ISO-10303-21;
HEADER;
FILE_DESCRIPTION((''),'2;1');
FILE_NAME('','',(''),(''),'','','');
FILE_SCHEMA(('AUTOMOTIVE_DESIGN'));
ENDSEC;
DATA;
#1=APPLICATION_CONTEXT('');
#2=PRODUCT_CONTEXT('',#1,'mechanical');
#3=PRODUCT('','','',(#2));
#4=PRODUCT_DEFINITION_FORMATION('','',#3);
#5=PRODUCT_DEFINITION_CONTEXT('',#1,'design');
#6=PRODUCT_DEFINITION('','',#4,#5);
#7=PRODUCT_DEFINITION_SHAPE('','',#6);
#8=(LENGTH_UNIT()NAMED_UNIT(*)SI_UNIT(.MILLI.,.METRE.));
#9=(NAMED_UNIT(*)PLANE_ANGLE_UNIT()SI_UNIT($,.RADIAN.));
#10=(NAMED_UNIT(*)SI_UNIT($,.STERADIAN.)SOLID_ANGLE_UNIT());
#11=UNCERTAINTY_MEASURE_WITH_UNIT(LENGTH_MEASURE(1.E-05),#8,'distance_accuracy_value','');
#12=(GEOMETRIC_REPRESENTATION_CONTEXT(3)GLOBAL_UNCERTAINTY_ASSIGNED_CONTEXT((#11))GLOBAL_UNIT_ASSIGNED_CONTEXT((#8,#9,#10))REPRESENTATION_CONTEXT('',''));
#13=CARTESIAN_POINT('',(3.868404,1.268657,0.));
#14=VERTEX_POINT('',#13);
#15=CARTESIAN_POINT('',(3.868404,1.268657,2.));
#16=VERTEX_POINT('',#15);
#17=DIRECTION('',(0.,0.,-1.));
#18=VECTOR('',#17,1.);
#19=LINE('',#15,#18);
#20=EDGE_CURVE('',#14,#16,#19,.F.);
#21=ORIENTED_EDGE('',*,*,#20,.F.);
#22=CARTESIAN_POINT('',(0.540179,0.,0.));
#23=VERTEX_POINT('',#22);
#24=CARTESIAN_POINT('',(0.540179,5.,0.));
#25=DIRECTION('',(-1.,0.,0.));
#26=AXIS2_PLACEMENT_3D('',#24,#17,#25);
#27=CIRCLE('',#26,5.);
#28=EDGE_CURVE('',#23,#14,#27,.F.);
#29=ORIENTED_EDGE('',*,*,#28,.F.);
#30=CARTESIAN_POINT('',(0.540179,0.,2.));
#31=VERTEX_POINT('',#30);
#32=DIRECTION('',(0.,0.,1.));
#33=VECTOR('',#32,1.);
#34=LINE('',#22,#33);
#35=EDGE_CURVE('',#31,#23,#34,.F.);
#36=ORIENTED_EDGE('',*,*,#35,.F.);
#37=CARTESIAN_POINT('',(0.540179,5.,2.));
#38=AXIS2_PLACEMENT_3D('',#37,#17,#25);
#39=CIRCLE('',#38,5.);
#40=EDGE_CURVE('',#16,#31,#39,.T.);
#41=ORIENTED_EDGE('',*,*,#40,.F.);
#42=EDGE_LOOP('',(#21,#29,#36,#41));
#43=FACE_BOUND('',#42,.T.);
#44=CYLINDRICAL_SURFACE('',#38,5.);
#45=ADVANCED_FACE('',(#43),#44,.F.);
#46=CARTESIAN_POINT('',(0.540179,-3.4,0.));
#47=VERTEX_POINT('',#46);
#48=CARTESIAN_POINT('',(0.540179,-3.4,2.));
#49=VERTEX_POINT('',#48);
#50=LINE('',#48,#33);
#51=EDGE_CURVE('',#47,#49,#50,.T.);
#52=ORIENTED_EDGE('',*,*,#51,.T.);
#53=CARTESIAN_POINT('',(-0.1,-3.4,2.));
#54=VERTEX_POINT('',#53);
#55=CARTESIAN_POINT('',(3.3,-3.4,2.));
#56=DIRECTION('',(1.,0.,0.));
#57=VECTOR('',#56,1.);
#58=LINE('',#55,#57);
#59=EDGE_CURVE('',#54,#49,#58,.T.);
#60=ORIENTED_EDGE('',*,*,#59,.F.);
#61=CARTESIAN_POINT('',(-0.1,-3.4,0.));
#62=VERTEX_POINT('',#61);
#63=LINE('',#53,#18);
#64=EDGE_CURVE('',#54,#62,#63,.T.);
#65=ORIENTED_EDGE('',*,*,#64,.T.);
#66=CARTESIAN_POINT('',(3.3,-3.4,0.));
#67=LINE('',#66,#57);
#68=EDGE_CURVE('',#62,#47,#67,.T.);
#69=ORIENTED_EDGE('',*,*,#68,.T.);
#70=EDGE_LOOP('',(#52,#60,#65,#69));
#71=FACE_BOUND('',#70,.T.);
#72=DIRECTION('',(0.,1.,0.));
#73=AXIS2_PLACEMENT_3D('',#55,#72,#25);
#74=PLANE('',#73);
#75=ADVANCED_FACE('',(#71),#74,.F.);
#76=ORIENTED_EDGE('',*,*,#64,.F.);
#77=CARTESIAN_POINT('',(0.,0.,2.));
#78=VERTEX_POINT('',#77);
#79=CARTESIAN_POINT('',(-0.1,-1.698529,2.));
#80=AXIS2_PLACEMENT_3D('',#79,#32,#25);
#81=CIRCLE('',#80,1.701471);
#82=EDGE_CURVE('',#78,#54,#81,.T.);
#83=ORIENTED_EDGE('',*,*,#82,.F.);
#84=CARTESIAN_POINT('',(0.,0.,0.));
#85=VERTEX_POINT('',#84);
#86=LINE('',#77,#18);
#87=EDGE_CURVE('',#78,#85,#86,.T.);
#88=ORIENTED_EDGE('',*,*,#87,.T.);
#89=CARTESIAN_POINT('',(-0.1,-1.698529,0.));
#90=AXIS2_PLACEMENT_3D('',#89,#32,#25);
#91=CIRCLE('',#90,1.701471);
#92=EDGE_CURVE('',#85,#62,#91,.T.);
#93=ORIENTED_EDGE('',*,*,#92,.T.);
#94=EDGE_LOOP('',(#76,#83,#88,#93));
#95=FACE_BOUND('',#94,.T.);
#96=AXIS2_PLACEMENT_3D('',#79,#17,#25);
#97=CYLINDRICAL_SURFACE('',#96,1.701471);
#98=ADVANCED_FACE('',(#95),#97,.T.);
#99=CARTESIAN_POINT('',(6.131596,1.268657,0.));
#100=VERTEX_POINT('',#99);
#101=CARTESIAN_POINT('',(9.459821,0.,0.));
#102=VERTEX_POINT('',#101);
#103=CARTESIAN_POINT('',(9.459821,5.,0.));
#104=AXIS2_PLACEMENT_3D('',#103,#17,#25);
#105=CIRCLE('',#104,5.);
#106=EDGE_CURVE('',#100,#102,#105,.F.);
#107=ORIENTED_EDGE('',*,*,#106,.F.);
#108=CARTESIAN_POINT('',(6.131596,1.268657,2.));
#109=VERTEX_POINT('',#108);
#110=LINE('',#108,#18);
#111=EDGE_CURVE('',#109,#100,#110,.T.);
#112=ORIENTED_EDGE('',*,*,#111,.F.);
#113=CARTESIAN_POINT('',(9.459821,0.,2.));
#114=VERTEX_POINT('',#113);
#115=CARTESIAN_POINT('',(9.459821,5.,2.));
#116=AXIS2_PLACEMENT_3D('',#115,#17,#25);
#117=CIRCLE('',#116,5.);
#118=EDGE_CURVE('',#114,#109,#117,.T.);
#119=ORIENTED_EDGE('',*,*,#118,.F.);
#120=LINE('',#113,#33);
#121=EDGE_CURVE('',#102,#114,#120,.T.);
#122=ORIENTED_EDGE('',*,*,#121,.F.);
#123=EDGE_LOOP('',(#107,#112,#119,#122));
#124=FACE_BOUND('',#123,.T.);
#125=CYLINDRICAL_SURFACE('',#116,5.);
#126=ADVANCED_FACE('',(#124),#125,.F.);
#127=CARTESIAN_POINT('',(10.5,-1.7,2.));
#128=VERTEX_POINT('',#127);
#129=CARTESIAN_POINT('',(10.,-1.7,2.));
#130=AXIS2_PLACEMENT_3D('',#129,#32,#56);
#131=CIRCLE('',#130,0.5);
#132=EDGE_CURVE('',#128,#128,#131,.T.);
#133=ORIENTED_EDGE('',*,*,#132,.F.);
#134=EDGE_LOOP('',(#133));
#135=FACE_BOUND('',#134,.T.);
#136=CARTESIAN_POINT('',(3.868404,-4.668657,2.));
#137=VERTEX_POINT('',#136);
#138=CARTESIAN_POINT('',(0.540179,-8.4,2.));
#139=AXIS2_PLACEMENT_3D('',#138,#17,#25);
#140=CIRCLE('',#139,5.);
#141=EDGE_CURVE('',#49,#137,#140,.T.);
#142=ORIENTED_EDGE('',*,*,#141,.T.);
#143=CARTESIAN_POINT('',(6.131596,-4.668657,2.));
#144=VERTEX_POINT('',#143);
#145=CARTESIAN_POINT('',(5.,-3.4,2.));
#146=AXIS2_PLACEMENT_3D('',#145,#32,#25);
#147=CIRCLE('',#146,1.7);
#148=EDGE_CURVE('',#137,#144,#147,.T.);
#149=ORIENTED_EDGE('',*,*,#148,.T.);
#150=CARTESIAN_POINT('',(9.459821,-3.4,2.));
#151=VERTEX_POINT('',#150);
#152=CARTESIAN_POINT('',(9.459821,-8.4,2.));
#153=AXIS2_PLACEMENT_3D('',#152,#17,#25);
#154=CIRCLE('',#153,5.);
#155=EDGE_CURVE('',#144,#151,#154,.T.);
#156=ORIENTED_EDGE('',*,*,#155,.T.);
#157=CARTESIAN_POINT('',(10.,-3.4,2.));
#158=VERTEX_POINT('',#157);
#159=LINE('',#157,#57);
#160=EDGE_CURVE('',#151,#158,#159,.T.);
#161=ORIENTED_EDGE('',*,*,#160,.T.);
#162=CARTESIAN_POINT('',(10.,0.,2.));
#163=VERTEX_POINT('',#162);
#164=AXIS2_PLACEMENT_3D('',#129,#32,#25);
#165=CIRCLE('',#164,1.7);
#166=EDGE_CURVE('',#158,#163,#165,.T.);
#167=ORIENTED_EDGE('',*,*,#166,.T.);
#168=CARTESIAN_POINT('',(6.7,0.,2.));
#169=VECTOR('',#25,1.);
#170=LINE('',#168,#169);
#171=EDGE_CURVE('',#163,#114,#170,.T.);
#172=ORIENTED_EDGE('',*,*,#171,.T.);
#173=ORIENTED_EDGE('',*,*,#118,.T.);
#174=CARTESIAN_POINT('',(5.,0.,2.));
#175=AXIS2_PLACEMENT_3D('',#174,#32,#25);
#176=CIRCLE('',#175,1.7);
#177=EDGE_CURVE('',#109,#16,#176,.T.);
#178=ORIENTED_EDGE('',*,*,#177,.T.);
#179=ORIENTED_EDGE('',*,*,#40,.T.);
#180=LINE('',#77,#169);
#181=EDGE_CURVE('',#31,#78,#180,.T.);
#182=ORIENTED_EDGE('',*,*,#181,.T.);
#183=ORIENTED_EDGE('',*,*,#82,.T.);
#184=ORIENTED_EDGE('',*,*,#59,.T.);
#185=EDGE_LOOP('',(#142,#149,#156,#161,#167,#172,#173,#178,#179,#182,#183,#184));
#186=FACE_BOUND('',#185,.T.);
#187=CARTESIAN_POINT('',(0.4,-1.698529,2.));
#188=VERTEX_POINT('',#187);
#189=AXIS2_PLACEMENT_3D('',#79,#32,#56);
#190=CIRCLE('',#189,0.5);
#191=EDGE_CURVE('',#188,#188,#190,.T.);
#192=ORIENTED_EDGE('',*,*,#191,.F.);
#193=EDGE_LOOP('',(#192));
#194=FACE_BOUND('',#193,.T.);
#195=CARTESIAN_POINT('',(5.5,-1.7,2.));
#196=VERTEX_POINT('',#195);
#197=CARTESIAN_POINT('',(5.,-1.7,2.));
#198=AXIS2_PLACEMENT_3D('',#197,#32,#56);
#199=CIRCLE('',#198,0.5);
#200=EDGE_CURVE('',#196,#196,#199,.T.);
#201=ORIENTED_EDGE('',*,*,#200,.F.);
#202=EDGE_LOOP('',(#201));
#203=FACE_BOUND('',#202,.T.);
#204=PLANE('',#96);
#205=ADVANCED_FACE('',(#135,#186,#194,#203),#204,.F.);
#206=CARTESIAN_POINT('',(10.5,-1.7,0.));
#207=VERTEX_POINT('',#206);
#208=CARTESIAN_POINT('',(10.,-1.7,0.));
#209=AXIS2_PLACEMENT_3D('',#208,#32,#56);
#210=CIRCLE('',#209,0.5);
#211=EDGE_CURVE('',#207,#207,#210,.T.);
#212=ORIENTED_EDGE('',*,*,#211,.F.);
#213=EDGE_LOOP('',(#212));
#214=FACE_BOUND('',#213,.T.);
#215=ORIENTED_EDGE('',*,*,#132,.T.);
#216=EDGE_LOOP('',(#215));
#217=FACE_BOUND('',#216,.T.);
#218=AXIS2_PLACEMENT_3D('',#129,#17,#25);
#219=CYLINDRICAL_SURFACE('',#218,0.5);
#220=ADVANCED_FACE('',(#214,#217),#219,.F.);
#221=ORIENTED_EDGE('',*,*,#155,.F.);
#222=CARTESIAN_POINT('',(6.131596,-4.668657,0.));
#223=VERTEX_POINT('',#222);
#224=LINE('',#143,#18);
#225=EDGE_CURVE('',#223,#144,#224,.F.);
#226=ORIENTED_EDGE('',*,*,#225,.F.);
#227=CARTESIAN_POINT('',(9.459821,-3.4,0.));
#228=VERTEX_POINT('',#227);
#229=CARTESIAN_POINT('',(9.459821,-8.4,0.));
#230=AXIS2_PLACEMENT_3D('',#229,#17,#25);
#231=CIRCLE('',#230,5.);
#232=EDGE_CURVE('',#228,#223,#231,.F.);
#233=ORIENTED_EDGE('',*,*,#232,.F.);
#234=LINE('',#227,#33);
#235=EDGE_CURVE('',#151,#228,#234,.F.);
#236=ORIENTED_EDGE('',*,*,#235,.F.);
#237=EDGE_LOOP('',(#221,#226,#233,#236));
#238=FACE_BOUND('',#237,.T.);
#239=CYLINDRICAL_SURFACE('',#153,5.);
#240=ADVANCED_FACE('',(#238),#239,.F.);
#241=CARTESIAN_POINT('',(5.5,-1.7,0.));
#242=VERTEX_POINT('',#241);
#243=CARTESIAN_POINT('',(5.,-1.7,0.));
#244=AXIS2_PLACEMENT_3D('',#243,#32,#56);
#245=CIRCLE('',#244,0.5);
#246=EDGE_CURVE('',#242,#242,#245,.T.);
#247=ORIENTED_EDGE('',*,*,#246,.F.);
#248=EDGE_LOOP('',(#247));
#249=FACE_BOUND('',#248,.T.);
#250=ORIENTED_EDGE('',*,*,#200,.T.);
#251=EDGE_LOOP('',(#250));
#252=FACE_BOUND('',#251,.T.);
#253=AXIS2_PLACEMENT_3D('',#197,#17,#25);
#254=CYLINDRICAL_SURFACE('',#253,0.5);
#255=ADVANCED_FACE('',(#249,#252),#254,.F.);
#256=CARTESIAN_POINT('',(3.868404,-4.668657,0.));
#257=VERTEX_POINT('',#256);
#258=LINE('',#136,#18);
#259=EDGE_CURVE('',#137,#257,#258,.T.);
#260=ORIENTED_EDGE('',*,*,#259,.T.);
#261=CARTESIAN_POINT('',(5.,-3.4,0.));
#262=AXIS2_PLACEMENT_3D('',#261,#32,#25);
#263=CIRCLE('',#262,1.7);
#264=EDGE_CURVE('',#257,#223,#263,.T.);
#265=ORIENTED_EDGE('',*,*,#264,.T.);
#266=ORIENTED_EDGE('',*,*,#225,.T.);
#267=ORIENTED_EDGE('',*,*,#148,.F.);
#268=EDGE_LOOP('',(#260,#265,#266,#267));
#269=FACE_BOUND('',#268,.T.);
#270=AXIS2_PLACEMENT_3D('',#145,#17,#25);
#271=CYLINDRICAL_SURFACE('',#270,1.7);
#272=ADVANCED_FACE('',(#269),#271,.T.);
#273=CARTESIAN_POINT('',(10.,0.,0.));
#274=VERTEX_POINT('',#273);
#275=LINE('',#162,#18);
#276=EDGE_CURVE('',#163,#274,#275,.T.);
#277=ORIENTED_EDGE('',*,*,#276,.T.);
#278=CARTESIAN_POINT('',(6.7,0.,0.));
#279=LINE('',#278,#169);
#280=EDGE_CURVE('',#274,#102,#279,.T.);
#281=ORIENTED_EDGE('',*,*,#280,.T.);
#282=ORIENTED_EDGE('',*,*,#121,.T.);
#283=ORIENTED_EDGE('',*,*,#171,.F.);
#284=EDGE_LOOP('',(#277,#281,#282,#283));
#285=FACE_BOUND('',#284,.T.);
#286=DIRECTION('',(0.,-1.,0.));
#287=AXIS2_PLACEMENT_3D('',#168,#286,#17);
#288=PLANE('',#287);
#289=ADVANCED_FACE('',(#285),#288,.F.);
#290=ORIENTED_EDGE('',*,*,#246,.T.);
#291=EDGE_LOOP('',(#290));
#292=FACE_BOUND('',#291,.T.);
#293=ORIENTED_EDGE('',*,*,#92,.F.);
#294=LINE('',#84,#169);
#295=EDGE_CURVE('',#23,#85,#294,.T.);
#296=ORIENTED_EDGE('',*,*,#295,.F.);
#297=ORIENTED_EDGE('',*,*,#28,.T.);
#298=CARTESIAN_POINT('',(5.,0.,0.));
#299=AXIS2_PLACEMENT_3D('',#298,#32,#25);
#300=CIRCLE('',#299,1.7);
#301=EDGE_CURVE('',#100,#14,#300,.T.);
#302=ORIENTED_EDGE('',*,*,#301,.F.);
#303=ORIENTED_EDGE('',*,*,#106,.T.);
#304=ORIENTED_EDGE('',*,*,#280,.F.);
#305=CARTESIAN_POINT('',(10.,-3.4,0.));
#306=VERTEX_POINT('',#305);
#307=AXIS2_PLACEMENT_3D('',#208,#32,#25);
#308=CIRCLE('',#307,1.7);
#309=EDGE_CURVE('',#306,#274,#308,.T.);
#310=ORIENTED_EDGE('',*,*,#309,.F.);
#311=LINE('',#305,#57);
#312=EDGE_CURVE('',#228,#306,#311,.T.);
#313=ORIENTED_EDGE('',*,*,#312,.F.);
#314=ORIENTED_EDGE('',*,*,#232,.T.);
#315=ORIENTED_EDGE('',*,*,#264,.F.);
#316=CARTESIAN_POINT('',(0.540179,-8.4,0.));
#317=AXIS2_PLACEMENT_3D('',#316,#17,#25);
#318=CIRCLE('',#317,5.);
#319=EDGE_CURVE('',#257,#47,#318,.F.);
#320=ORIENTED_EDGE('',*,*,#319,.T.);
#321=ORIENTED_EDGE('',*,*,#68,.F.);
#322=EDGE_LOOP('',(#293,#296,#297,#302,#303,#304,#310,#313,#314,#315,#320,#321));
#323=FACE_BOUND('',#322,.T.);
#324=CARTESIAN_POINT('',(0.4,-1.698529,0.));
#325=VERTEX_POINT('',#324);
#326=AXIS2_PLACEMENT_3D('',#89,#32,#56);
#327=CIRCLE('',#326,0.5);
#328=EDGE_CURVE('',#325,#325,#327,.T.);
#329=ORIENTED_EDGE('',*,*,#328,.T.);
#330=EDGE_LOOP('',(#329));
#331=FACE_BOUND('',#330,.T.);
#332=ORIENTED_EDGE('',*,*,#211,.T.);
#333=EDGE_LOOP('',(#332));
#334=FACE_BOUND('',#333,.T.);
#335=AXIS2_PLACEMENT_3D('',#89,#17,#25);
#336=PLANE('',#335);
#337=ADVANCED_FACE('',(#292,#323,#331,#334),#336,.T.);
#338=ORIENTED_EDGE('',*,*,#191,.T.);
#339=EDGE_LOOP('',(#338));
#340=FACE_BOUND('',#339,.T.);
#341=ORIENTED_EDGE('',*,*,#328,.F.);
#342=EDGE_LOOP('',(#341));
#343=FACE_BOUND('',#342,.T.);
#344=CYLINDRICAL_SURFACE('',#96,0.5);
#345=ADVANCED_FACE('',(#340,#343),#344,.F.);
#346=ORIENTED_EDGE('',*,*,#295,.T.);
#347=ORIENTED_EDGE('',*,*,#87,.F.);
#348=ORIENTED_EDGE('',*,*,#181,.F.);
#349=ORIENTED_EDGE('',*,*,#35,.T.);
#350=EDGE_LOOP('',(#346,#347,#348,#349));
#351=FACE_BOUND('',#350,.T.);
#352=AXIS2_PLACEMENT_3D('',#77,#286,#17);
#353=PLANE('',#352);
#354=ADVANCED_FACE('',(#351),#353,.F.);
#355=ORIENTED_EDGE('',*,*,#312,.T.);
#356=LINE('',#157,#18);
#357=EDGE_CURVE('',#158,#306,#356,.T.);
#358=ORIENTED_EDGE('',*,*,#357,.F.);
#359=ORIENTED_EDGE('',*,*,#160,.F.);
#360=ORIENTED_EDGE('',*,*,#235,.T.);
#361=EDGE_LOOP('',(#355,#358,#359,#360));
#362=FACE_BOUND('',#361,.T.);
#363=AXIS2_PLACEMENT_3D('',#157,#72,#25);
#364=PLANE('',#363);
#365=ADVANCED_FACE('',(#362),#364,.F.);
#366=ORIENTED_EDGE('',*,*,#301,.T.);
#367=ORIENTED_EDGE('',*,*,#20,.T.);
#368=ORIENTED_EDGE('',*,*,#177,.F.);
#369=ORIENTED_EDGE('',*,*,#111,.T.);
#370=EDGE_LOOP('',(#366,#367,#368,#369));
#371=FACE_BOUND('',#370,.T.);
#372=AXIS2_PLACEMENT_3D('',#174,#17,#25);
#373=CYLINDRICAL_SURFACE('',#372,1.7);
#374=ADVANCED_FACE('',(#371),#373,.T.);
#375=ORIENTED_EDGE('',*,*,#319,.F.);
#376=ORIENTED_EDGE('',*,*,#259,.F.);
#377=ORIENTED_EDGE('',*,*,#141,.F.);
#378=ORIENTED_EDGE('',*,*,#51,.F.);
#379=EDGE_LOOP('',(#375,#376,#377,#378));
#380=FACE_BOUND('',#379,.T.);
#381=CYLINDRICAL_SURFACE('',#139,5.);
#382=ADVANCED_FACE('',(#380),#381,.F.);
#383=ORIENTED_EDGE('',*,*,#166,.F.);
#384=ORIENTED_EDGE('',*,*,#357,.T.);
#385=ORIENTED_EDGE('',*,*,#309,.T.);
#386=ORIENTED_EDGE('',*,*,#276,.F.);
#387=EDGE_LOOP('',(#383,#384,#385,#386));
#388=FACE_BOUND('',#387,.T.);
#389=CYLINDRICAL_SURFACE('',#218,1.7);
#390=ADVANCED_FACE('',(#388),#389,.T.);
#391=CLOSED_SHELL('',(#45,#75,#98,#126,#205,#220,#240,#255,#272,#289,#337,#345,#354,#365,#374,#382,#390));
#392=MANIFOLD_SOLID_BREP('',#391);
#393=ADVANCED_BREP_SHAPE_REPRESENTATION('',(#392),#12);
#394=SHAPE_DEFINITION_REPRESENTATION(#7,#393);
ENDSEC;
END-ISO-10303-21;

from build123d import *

# Parameters (mm, degrees)
SKETCH1_R           = 0.5
BOSS_EXTRUDE1_DEPTH = 2
FILLET1_R           = 5


with BuildPart() as part:
    # Sketch1 → Boss-Extrude1 (new body)
    with BuildSketch(Plane.XY):
        with BuildLine():
            Line((0, 0), (3.3, 0))
            ThreePointArc((3.3, 0), (5, 1.7), (6.7, 0))
            Line((6.7, 0), (10, 0))
            ThreePointArc((10, 0), (11.7, -1.7), (10, -3.4))
            Line((10, -3.4), (6.7, -3.4))
            ThreePointArc((6.7, -3.4), (5, -5.1), (3.3, -3.4))
            Line((3.3, -3.4), (-0.1, -3.4))
            ThreePointArc((-0.1, -3.4), (-1.800735135, -1.64850779), (0, 0))
        make_face()
        with Locations((-0.1, -1.698529412)):
            Circle(SKETCH1_R, mode=Mode.SUBTRACT)
        with Locations((10, -1.7)):
            Circle(SKETCH1_R, mode=Mode.SUBTRACT)
        with Locations((5, -1.7)):
            Circle(SKETCH1_R, mode=Mode.SUBTRACT)
    extrude(amount=BOSS_EXTRUDE1_DEPTH)

    # Fillet1
    fillet1_edges = [part.edges().sort_by_distance(p)[0] for p in [
        (3.3, 0, 1),
        (6.7, 0, 1),
        (6.7, -3.4, 1),
        (3.3, -3.4, 1),
    ]]
    fillet(fillet1_edges, radius=FILLET1_R)


solid = part.part
